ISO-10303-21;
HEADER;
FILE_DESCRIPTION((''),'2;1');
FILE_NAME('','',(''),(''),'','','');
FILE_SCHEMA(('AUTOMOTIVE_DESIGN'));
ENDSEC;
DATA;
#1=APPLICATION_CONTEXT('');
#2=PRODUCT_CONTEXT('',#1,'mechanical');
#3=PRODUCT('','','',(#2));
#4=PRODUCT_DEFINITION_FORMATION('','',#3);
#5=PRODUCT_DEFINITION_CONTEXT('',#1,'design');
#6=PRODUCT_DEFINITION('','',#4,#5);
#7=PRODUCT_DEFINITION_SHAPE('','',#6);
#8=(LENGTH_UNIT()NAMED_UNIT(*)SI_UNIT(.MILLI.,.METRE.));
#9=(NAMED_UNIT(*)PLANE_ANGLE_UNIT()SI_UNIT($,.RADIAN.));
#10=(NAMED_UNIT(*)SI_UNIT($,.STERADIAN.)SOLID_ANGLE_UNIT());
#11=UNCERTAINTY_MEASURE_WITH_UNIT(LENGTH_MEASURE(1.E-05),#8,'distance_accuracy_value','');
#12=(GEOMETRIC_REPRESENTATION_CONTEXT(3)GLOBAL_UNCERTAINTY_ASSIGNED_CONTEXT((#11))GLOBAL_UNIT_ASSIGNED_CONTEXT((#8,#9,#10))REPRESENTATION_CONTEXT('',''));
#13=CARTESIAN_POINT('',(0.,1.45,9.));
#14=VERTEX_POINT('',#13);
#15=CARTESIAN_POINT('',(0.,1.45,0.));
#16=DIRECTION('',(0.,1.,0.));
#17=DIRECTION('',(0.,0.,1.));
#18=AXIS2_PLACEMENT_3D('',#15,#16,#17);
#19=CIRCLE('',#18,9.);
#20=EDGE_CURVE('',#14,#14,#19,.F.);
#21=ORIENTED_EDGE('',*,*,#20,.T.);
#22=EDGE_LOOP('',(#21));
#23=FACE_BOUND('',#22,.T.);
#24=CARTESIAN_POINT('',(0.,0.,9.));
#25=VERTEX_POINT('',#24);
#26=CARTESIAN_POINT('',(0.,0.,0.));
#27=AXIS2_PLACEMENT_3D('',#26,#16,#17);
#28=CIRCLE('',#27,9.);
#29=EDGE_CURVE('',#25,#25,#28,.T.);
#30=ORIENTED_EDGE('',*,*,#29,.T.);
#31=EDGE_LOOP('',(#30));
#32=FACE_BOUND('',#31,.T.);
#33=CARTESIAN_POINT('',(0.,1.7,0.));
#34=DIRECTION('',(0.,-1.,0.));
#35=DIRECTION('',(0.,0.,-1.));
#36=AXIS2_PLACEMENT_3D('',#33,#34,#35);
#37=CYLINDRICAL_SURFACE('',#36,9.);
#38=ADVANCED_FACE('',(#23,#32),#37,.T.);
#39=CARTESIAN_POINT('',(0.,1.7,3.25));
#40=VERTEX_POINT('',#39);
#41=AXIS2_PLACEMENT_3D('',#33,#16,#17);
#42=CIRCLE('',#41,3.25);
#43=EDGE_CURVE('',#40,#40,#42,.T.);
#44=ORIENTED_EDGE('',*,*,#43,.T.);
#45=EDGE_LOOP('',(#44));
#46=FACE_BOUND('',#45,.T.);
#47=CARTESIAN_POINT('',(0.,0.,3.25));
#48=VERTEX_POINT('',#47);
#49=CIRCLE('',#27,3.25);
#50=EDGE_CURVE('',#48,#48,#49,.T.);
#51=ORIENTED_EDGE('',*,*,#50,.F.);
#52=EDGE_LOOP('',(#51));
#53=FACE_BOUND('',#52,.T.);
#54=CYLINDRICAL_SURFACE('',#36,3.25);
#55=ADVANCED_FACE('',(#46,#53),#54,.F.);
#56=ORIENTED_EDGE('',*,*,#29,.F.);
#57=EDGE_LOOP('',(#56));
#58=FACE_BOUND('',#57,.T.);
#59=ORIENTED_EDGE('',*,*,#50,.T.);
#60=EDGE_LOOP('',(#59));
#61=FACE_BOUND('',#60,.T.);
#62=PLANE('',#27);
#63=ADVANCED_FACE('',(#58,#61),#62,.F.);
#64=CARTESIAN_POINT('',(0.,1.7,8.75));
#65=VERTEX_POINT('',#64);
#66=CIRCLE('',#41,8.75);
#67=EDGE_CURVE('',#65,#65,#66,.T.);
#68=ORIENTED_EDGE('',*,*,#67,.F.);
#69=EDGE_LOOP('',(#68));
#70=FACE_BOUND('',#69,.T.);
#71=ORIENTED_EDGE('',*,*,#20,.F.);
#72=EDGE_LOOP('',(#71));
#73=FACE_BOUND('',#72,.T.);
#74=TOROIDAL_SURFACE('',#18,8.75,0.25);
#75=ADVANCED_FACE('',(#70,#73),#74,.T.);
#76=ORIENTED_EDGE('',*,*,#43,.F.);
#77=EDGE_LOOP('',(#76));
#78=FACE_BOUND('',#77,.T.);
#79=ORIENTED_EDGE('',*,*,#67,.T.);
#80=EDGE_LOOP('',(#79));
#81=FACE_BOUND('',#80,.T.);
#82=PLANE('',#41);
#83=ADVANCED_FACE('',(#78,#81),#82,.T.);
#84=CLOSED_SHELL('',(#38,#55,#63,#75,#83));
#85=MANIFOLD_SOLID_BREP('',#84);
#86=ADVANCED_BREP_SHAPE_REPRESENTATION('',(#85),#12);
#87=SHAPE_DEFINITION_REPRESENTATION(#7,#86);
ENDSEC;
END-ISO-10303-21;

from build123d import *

# Parameters (mm, degrees)
SKETCH_1_R      = 9
SKETCH_1_R_2    = 3.25
EXTRUDE_1_DEPTH = 1.7
FILLET_1_R      = 0.25


with BuildPart() as part:
    # Эскиз1 → Вытянуть1 (new body)
    with BuildSketch(Plane(origin=(0, 0, 0), x_dir=(1, 0, 0), z_dir=(0, 1, 0))):
        with Locations(Location((0, 0, 0), (0, 0, 270))):
            Circle(SKETCH_1_R)
        with Locations(Location((0, 0, 0), (0, 0, 270))):
            Circle(SKETCH_1_R_2, mode=Mode.SUBTRACT)
    extrude(amount=EXTRUDE_1_DEPTH)

    # Скругление1
    fillet_1_edges = [part.edges().sort_by_distance(p)[0] for p in [
        (0, 1.7, -9),
    ]]
    fillet(fillet_1_edges, radius=FILLET_1_R)


solid = part.part
